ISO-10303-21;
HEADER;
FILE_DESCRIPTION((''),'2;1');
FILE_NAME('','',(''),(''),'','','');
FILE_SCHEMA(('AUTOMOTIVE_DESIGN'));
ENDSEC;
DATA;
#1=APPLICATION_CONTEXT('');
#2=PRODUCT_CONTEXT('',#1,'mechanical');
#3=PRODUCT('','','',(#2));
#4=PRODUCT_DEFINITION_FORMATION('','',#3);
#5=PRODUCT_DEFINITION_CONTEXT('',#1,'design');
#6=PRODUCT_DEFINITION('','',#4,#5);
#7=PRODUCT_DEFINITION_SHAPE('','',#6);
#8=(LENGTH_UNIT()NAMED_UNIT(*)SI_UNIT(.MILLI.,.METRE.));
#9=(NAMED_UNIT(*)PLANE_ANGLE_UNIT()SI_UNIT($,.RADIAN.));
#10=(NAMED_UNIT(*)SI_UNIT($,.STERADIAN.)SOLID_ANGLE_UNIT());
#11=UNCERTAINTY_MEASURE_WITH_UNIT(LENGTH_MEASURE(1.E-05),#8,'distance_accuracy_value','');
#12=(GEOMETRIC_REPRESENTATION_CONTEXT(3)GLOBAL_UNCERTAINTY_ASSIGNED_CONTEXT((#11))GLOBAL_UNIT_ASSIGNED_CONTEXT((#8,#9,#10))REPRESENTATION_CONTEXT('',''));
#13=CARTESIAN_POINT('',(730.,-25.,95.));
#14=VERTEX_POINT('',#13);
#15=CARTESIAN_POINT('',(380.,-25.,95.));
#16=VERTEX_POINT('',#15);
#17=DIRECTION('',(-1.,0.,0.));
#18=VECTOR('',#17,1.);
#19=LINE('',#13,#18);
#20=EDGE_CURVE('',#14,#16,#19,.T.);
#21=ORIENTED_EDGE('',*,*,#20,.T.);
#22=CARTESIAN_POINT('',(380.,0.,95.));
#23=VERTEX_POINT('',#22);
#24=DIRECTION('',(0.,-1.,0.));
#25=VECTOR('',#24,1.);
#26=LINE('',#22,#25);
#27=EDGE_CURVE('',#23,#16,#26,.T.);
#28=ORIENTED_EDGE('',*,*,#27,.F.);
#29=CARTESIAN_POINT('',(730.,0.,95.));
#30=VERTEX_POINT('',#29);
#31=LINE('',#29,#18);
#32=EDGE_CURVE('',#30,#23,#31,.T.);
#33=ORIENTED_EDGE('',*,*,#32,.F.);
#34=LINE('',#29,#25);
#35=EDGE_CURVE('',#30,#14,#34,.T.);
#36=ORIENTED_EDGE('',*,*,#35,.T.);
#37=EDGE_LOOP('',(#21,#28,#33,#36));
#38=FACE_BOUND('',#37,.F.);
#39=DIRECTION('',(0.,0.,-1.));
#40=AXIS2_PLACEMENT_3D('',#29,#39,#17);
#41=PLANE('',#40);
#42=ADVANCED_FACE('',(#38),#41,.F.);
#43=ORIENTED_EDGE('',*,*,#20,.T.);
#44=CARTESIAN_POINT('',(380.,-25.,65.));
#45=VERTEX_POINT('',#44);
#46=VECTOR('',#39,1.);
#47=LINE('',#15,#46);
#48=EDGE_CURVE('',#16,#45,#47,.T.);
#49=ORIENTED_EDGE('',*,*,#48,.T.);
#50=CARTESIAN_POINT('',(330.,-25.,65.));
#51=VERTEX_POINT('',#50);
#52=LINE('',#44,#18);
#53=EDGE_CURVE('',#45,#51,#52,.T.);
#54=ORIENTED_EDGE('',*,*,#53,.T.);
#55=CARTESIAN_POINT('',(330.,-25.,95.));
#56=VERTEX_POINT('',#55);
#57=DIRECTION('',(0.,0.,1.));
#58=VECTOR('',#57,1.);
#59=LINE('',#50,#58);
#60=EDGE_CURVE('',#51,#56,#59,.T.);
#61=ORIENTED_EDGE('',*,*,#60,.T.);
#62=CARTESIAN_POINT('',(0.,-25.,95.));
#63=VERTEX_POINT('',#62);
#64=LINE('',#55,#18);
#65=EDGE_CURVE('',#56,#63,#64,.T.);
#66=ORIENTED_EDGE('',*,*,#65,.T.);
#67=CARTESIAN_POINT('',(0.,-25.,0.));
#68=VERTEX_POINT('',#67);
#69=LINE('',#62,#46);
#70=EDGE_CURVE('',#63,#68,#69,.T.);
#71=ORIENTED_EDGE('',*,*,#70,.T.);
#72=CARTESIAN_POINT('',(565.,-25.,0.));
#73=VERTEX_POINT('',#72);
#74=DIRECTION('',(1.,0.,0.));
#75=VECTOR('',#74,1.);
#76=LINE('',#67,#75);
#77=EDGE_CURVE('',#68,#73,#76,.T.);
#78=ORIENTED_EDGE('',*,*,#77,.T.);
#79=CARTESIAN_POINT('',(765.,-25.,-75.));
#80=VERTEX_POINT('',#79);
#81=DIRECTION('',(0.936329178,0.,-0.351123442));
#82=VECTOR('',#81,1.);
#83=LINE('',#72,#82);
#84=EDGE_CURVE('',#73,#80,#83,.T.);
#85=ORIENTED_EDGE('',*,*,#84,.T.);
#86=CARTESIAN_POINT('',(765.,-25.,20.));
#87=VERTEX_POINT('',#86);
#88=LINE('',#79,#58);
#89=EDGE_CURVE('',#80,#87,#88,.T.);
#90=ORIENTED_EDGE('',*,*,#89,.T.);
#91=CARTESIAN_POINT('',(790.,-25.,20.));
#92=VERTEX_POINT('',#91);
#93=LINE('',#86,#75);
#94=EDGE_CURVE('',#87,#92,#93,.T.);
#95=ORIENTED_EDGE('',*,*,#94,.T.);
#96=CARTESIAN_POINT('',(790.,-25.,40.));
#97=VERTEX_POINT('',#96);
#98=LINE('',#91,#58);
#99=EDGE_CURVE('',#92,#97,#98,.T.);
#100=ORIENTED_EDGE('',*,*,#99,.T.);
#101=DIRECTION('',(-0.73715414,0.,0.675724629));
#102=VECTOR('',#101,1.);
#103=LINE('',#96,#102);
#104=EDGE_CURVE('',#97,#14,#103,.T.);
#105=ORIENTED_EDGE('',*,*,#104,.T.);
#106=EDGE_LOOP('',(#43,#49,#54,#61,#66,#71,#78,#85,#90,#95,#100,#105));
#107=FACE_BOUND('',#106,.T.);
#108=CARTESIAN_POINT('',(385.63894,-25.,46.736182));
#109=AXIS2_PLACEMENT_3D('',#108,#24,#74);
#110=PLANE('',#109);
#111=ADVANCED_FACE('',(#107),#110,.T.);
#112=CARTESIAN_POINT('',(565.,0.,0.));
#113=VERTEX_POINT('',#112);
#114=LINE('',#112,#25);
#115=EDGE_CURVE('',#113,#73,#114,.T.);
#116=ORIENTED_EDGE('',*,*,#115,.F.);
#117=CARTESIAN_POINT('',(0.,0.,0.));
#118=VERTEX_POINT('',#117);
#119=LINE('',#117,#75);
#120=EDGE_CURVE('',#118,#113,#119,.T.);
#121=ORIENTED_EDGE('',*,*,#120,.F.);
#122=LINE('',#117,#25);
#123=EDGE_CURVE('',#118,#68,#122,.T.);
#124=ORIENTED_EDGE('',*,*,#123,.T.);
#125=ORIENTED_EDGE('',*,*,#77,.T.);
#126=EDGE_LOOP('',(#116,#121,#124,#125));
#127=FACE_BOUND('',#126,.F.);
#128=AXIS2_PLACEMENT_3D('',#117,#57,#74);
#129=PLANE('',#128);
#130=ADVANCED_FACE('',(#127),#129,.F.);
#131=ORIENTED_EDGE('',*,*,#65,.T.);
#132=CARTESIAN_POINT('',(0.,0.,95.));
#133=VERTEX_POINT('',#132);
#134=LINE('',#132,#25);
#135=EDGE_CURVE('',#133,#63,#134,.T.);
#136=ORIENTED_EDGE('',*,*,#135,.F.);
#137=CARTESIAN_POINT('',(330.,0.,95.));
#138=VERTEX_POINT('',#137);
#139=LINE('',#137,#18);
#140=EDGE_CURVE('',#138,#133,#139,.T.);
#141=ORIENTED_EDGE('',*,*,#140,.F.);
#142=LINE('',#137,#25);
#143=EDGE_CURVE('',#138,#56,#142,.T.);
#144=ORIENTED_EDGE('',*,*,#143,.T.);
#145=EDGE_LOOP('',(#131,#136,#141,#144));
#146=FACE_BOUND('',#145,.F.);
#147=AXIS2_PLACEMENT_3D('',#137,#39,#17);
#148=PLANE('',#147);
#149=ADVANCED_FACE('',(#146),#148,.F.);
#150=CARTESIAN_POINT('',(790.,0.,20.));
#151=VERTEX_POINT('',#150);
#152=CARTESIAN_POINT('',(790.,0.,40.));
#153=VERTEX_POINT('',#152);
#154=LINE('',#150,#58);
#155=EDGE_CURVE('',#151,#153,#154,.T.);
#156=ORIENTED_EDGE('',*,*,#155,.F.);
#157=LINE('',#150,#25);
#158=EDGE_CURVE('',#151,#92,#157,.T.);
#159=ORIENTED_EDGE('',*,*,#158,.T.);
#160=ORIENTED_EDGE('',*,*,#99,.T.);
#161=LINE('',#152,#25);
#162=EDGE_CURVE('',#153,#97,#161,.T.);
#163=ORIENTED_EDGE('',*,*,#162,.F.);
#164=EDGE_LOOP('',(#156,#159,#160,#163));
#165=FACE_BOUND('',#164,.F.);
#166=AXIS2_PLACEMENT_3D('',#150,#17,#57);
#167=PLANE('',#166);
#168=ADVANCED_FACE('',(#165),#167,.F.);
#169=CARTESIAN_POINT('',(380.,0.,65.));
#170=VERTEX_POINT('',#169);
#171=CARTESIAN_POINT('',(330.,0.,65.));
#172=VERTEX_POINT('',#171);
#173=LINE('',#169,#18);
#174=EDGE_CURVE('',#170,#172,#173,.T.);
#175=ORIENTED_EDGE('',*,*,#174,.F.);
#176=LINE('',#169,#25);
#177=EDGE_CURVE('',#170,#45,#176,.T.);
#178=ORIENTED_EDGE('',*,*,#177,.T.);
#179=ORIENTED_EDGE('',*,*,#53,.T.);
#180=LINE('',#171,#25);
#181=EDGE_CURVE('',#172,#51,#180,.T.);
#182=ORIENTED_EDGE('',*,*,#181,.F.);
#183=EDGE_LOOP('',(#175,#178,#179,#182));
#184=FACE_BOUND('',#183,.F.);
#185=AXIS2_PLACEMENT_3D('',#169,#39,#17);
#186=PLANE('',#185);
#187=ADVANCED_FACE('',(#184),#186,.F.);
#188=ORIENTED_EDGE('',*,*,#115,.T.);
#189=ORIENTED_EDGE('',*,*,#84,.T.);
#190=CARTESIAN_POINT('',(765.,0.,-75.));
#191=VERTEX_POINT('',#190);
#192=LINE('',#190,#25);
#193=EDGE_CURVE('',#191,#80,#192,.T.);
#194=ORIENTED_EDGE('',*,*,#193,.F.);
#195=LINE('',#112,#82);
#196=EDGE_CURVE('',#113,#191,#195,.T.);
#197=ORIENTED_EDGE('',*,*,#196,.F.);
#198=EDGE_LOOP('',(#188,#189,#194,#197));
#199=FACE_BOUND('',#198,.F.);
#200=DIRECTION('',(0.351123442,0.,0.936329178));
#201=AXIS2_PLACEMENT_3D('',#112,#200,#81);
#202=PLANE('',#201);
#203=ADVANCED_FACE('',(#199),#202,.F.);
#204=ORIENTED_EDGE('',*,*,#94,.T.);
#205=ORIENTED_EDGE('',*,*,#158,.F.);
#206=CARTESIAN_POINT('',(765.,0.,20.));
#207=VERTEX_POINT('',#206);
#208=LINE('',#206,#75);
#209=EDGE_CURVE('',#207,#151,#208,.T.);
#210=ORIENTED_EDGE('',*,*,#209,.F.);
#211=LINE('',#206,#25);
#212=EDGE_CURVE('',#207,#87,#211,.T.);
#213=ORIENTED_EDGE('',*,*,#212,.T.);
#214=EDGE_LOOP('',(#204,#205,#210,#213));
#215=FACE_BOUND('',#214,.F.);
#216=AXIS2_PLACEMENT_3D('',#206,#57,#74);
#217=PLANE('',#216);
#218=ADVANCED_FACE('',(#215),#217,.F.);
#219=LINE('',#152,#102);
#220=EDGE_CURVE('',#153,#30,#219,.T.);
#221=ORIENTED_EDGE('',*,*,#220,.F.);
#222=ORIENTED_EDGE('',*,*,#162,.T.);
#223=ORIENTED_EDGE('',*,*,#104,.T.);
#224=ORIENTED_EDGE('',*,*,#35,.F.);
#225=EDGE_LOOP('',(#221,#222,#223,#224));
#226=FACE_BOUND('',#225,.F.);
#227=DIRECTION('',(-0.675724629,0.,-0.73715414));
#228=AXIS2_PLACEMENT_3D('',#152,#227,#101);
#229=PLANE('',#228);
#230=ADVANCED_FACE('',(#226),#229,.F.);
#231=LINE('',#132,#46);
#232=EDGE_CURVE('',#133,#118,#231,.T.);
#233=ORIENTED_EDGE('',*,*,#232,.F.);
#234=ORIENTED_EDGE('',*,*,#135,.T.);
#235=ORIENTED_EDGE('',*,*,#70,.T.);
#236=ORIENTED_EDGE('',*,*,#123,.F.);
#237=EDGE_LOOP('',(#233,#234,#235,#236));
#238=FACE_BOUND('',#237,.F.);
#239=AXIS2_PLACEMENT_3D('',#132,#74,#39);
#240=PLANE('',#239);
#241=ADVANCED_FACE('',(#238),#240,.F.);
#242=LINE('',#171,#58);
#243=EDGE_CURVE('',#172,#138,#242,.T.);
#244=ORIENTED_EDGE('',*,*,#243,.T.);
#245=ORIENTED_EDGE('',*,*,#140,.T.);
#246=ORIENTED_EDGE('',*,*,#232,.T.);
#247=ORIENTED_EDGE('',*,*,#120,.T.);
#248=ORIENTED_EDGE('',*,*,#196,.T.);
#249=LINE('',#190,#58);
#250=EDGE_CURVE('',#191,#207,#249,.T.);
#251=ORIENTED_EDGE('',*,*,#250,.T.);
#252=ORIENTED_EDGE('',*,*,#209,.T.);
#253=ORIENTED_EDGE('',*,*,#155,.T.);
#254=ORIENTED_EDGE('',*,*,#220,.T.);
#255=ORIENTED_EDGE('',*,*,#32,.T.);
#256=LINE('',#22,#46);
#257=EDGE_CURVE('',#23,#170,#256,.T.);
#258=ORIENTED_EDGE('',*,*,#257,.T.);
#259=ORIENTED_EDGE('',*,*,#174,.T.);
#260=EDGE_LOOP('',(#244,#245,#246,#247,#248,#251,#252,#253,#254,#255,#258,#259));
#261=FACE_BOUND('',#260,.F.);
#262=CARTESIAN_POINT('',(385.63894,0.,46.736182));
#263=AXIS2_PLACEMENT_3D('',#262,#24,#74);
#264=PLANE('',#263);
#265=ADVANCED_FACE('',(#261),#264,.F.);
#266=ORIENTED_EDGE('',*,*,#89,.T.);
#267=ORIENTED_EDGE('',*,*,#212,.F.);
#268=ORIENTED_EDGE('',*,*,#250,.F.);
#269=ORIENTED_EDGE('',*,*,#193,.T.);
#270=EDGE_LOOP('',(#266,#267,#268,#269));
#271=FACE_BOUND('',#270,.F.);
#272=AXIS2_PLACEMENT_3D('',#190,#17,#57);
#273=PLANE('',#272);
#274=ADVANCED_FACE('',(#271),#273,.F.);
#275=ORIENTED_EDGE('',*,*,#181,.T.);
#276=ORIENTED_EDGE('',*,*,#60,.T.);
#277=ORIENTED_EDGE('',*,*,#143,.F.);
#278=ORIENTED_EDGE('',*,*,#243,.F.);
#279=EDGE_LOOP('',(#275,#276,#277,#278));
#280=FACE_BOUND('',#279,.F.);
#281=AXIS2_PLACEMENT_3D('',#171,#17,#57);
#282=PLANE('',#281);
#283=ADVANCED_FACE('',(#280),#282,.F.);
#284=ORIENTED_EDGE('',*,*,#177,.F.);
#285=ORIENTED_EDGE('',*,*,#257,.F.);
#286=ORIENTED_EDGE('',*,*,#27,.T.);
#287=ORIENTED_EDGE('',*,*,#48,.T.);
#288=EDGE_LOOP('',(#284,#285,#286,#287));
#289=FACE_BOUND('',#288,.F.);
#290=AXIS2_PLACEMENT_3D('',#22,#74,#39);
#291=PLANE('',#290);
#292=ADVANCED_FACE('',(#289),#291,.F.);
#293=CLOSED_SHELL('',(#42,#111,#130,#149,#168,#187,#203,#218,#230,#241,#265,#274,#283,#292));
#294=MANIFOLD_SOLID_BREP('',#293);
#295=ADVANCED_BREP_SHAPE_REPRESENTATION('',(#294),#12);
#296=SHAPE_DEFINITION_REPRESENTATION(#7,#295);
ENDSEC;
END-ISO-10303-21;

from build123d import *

# Parameters (mm, degrees)
F1_DEPTH = 25


with BuildPart() as f1:
    # F0 (on Front) → F1 (new body)
    with BuildSketch(Plane.XZ):
        Polygon((0, 95), (0, 0), (565, 0), (765, 0), (765, 20), (790, 20), (790, 40), (730, 95), (380, 95), (380, 65), (330, 65), (330, 95), align=None)
        Polygon((765, 0), (565, 0), (765, -75), align=None)
    extrude(amount=F1_DEPTH)


solid = f1.part
